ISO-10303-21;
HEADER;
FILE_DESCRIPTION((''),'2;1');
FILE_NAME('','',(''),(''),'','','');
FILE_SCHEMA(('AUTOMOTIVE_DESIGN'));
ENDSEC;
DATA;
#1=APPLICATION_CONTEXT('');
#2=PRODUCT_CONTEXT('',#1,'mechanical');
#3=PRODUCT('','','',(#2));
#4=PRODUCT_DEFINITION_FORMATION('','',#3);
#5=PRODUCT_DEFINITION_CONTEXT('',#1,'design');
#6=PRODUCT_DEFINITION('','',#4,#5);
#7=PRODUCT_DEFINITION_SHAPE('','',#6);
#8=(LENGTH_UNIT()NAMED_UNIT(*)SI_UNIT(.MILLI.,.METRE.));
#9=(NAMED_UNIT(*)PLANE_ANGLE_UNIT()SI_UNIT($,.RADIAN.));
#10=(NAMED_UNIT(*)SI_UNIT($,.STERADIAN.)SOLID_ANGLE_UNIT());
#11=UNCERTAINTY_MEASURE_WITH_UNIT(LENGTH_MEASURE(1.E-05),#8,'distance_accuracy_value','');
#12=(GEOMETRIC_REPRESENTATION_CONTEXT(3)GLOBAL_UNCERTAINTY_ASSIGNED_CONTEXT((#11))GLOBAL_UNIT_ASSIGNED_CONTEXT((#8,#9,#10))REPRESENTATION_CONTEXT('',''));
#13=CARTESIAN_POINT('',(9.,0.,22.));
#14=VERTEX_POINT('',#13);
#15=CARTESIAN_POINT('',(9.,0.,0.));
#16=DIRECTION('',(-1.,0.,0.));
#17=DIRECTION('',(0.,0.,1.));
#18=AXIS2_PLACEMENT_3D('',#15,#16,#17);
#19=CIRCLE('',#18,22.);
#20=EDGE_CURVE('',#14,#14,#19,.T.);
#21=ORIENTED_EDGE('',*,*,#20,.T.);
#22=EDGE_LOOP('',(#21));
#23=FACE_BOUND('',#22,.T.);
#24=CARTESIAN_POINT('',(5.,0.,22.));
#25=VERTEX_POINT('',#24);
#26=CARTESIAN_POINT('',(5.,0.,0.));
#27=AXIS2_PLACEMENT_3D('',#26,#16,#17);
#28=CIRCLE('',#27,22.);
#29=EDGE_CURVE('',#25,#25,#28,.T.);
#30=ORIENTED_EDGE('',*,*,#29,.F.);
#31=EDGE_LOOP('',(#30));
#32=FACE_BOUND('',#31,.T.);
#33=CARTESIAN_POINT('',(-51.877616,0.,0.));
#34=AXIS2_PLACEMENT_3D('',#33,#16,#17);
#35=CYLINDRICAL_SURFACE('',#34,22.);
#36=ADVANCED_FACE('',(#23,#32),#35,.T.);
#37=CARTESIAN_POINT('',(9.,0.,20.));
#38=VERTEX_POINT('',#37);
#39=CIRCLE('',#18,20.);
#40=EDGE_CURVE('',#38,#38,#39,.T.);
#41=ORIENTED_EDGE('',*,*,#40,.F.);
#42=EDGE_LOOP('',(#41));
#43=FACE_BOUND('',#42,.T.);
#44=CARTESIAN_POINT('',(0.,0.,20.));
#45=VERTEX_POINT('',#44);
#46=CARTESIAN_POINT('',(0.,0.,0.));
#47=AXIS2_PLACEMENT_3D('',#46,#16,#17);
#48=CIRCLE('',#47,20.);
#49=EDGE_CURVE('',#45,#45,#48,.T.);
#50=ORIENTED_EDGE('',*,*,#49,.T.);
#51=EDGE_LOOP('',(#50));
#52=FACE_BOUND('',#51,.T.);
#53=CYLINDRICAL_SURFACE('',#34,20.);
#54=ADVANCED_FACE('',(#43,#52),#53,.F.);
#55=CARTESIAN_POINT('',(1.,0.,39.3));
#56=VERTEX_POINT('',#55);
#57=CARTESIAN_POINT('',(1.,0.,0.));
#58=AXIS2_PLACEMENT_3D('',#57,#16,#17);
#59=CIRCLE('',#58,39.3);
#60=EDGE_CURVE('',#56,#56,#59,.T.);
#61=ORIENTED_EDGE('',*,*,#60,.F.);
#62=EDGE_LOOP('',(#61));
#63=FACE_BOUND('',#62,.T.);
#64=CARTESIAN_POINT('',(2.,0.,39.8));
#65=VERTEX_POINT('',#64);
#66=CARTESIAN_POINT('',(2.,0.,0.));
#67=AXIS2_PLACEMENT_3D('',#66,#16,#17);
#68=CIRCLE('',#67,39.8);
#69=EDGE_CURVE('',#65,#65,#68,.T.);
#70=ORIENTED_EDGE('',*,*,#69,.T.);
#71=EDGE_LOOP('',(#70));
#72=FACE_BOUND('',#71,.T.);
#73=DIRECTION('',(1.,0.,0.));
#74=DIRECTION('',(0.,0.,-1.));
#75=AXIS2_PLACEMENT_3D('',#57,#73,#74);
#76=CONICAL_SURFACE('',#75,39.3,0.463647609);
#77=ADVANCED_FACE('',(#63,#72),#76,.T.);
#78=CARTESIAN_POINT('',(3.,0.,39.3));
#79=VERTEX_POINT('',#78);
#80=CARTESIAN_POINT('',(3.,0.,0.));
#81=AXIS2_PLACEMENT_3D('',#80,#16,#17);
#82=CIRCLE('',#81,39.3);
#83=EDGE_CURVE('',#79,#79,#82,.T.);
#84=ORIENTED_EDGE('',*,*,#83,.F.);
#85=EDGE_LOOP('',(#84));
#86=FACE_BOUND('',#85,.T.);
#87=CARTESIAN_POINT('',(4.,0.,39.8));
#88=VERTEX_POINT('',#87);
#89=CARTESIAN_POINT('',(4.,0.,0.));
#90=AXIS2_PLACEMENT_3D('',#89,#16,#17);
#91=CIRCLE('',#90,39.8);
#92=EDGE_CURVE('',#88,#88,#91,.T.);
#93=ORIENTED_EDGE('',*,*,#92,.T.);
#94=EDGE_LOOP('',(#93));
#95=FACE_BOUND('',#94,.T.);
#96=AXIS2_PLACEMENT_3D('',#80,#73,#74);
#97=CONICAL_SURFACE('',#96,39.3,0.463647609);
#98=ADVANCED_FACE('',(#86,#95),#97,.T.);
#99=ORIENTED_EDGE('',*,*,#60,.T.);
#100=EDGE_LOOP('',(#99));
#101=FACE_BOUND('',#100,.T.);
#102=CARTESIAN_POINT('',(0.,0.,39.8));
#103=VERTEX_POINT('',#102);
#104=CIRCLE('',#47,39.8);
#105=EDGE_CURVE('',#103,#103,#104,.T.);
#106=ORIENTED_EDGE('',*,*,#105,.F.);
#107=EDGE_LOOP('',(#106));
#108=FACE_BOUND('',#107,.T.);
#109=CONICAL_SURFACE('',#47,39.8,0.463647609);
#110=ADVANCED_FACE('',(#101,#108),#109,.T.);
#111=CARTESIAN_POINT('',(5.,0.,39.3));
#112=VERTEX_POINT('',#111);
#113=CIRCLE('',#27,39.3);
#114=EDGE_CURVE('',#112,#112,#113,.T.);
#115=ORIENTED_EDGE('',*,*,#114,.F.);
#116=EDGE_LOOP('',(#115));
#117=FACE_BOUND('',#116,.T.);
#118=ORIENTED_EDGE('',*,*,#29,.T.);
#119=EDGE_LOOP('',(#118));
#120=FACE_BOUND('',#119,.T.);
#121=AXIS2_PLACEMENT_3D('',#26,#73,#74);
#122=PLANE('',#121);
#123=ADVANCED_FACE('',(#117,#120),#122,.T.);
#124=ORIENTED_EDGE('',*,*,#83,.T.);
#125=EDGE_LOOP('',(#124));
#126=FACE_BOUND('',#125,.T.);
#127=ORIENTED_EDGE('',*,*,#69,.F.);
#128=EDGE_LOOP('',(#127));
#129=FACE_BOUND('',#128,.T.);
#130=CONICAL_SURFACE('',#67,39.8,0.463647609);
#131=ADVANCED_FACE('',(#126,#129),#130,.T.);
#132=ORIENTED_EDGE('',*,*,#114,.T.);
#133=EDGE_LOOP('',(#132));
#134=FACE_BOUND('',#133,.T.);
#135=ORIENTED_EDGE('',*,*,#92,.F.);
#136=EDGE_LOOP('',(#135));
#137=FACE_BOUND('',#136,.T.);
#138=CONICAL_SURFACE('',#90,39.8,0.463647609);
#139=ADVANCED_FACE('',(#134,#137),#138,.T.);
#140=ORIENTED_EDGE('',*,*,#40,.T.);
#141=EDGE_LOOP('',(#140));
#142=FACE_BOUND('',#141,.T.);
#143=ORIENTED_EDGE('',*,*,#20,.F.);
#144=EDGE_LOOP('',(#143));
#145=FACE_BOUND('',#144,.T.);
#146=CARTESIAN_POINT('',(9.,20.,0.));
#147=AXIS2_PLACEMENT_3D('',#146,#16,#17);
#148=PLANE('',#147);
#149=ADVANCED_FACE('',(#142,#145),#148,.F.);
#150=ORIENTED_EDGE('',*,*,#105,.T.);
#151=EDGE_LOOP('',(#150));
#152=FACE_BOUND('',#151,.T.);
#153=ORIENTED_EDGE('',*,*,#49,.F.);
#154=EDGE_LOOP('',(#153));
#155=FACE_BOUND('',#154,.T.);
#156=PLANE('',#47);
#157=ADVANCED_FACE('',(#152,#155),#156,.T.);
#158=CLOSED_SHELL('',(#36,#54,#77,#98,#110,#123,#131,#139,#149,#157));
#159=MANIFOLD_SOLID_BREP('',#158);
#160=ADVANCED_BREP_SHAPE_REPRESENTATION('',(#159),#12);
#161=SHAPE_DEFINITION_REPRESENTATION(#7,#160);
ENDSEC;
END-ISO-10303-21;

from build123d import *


with BuildPart() as part:
    # 草图1 → 旋转1 (revolve)
    with BuildSketch(Plane.XY, mode=Mode.PRIVATE) as revolve_1_sk:
        Polygon((0, 20), (9, 20), (9, 22), (5, 22), (5, 39.3), (4, 39.8), (3, 39.3), (2, 39.8), (1, 39.3), (0, 39.8), align=None)
    revolve(revolve_1_sk.sketch.rotate(Axis((-51.877615745, 0, 0), (1, 0, 0)), 90), axis=Axis((-51.877615745, 0, 0), (1, 0, 0)))


solid = part.part
